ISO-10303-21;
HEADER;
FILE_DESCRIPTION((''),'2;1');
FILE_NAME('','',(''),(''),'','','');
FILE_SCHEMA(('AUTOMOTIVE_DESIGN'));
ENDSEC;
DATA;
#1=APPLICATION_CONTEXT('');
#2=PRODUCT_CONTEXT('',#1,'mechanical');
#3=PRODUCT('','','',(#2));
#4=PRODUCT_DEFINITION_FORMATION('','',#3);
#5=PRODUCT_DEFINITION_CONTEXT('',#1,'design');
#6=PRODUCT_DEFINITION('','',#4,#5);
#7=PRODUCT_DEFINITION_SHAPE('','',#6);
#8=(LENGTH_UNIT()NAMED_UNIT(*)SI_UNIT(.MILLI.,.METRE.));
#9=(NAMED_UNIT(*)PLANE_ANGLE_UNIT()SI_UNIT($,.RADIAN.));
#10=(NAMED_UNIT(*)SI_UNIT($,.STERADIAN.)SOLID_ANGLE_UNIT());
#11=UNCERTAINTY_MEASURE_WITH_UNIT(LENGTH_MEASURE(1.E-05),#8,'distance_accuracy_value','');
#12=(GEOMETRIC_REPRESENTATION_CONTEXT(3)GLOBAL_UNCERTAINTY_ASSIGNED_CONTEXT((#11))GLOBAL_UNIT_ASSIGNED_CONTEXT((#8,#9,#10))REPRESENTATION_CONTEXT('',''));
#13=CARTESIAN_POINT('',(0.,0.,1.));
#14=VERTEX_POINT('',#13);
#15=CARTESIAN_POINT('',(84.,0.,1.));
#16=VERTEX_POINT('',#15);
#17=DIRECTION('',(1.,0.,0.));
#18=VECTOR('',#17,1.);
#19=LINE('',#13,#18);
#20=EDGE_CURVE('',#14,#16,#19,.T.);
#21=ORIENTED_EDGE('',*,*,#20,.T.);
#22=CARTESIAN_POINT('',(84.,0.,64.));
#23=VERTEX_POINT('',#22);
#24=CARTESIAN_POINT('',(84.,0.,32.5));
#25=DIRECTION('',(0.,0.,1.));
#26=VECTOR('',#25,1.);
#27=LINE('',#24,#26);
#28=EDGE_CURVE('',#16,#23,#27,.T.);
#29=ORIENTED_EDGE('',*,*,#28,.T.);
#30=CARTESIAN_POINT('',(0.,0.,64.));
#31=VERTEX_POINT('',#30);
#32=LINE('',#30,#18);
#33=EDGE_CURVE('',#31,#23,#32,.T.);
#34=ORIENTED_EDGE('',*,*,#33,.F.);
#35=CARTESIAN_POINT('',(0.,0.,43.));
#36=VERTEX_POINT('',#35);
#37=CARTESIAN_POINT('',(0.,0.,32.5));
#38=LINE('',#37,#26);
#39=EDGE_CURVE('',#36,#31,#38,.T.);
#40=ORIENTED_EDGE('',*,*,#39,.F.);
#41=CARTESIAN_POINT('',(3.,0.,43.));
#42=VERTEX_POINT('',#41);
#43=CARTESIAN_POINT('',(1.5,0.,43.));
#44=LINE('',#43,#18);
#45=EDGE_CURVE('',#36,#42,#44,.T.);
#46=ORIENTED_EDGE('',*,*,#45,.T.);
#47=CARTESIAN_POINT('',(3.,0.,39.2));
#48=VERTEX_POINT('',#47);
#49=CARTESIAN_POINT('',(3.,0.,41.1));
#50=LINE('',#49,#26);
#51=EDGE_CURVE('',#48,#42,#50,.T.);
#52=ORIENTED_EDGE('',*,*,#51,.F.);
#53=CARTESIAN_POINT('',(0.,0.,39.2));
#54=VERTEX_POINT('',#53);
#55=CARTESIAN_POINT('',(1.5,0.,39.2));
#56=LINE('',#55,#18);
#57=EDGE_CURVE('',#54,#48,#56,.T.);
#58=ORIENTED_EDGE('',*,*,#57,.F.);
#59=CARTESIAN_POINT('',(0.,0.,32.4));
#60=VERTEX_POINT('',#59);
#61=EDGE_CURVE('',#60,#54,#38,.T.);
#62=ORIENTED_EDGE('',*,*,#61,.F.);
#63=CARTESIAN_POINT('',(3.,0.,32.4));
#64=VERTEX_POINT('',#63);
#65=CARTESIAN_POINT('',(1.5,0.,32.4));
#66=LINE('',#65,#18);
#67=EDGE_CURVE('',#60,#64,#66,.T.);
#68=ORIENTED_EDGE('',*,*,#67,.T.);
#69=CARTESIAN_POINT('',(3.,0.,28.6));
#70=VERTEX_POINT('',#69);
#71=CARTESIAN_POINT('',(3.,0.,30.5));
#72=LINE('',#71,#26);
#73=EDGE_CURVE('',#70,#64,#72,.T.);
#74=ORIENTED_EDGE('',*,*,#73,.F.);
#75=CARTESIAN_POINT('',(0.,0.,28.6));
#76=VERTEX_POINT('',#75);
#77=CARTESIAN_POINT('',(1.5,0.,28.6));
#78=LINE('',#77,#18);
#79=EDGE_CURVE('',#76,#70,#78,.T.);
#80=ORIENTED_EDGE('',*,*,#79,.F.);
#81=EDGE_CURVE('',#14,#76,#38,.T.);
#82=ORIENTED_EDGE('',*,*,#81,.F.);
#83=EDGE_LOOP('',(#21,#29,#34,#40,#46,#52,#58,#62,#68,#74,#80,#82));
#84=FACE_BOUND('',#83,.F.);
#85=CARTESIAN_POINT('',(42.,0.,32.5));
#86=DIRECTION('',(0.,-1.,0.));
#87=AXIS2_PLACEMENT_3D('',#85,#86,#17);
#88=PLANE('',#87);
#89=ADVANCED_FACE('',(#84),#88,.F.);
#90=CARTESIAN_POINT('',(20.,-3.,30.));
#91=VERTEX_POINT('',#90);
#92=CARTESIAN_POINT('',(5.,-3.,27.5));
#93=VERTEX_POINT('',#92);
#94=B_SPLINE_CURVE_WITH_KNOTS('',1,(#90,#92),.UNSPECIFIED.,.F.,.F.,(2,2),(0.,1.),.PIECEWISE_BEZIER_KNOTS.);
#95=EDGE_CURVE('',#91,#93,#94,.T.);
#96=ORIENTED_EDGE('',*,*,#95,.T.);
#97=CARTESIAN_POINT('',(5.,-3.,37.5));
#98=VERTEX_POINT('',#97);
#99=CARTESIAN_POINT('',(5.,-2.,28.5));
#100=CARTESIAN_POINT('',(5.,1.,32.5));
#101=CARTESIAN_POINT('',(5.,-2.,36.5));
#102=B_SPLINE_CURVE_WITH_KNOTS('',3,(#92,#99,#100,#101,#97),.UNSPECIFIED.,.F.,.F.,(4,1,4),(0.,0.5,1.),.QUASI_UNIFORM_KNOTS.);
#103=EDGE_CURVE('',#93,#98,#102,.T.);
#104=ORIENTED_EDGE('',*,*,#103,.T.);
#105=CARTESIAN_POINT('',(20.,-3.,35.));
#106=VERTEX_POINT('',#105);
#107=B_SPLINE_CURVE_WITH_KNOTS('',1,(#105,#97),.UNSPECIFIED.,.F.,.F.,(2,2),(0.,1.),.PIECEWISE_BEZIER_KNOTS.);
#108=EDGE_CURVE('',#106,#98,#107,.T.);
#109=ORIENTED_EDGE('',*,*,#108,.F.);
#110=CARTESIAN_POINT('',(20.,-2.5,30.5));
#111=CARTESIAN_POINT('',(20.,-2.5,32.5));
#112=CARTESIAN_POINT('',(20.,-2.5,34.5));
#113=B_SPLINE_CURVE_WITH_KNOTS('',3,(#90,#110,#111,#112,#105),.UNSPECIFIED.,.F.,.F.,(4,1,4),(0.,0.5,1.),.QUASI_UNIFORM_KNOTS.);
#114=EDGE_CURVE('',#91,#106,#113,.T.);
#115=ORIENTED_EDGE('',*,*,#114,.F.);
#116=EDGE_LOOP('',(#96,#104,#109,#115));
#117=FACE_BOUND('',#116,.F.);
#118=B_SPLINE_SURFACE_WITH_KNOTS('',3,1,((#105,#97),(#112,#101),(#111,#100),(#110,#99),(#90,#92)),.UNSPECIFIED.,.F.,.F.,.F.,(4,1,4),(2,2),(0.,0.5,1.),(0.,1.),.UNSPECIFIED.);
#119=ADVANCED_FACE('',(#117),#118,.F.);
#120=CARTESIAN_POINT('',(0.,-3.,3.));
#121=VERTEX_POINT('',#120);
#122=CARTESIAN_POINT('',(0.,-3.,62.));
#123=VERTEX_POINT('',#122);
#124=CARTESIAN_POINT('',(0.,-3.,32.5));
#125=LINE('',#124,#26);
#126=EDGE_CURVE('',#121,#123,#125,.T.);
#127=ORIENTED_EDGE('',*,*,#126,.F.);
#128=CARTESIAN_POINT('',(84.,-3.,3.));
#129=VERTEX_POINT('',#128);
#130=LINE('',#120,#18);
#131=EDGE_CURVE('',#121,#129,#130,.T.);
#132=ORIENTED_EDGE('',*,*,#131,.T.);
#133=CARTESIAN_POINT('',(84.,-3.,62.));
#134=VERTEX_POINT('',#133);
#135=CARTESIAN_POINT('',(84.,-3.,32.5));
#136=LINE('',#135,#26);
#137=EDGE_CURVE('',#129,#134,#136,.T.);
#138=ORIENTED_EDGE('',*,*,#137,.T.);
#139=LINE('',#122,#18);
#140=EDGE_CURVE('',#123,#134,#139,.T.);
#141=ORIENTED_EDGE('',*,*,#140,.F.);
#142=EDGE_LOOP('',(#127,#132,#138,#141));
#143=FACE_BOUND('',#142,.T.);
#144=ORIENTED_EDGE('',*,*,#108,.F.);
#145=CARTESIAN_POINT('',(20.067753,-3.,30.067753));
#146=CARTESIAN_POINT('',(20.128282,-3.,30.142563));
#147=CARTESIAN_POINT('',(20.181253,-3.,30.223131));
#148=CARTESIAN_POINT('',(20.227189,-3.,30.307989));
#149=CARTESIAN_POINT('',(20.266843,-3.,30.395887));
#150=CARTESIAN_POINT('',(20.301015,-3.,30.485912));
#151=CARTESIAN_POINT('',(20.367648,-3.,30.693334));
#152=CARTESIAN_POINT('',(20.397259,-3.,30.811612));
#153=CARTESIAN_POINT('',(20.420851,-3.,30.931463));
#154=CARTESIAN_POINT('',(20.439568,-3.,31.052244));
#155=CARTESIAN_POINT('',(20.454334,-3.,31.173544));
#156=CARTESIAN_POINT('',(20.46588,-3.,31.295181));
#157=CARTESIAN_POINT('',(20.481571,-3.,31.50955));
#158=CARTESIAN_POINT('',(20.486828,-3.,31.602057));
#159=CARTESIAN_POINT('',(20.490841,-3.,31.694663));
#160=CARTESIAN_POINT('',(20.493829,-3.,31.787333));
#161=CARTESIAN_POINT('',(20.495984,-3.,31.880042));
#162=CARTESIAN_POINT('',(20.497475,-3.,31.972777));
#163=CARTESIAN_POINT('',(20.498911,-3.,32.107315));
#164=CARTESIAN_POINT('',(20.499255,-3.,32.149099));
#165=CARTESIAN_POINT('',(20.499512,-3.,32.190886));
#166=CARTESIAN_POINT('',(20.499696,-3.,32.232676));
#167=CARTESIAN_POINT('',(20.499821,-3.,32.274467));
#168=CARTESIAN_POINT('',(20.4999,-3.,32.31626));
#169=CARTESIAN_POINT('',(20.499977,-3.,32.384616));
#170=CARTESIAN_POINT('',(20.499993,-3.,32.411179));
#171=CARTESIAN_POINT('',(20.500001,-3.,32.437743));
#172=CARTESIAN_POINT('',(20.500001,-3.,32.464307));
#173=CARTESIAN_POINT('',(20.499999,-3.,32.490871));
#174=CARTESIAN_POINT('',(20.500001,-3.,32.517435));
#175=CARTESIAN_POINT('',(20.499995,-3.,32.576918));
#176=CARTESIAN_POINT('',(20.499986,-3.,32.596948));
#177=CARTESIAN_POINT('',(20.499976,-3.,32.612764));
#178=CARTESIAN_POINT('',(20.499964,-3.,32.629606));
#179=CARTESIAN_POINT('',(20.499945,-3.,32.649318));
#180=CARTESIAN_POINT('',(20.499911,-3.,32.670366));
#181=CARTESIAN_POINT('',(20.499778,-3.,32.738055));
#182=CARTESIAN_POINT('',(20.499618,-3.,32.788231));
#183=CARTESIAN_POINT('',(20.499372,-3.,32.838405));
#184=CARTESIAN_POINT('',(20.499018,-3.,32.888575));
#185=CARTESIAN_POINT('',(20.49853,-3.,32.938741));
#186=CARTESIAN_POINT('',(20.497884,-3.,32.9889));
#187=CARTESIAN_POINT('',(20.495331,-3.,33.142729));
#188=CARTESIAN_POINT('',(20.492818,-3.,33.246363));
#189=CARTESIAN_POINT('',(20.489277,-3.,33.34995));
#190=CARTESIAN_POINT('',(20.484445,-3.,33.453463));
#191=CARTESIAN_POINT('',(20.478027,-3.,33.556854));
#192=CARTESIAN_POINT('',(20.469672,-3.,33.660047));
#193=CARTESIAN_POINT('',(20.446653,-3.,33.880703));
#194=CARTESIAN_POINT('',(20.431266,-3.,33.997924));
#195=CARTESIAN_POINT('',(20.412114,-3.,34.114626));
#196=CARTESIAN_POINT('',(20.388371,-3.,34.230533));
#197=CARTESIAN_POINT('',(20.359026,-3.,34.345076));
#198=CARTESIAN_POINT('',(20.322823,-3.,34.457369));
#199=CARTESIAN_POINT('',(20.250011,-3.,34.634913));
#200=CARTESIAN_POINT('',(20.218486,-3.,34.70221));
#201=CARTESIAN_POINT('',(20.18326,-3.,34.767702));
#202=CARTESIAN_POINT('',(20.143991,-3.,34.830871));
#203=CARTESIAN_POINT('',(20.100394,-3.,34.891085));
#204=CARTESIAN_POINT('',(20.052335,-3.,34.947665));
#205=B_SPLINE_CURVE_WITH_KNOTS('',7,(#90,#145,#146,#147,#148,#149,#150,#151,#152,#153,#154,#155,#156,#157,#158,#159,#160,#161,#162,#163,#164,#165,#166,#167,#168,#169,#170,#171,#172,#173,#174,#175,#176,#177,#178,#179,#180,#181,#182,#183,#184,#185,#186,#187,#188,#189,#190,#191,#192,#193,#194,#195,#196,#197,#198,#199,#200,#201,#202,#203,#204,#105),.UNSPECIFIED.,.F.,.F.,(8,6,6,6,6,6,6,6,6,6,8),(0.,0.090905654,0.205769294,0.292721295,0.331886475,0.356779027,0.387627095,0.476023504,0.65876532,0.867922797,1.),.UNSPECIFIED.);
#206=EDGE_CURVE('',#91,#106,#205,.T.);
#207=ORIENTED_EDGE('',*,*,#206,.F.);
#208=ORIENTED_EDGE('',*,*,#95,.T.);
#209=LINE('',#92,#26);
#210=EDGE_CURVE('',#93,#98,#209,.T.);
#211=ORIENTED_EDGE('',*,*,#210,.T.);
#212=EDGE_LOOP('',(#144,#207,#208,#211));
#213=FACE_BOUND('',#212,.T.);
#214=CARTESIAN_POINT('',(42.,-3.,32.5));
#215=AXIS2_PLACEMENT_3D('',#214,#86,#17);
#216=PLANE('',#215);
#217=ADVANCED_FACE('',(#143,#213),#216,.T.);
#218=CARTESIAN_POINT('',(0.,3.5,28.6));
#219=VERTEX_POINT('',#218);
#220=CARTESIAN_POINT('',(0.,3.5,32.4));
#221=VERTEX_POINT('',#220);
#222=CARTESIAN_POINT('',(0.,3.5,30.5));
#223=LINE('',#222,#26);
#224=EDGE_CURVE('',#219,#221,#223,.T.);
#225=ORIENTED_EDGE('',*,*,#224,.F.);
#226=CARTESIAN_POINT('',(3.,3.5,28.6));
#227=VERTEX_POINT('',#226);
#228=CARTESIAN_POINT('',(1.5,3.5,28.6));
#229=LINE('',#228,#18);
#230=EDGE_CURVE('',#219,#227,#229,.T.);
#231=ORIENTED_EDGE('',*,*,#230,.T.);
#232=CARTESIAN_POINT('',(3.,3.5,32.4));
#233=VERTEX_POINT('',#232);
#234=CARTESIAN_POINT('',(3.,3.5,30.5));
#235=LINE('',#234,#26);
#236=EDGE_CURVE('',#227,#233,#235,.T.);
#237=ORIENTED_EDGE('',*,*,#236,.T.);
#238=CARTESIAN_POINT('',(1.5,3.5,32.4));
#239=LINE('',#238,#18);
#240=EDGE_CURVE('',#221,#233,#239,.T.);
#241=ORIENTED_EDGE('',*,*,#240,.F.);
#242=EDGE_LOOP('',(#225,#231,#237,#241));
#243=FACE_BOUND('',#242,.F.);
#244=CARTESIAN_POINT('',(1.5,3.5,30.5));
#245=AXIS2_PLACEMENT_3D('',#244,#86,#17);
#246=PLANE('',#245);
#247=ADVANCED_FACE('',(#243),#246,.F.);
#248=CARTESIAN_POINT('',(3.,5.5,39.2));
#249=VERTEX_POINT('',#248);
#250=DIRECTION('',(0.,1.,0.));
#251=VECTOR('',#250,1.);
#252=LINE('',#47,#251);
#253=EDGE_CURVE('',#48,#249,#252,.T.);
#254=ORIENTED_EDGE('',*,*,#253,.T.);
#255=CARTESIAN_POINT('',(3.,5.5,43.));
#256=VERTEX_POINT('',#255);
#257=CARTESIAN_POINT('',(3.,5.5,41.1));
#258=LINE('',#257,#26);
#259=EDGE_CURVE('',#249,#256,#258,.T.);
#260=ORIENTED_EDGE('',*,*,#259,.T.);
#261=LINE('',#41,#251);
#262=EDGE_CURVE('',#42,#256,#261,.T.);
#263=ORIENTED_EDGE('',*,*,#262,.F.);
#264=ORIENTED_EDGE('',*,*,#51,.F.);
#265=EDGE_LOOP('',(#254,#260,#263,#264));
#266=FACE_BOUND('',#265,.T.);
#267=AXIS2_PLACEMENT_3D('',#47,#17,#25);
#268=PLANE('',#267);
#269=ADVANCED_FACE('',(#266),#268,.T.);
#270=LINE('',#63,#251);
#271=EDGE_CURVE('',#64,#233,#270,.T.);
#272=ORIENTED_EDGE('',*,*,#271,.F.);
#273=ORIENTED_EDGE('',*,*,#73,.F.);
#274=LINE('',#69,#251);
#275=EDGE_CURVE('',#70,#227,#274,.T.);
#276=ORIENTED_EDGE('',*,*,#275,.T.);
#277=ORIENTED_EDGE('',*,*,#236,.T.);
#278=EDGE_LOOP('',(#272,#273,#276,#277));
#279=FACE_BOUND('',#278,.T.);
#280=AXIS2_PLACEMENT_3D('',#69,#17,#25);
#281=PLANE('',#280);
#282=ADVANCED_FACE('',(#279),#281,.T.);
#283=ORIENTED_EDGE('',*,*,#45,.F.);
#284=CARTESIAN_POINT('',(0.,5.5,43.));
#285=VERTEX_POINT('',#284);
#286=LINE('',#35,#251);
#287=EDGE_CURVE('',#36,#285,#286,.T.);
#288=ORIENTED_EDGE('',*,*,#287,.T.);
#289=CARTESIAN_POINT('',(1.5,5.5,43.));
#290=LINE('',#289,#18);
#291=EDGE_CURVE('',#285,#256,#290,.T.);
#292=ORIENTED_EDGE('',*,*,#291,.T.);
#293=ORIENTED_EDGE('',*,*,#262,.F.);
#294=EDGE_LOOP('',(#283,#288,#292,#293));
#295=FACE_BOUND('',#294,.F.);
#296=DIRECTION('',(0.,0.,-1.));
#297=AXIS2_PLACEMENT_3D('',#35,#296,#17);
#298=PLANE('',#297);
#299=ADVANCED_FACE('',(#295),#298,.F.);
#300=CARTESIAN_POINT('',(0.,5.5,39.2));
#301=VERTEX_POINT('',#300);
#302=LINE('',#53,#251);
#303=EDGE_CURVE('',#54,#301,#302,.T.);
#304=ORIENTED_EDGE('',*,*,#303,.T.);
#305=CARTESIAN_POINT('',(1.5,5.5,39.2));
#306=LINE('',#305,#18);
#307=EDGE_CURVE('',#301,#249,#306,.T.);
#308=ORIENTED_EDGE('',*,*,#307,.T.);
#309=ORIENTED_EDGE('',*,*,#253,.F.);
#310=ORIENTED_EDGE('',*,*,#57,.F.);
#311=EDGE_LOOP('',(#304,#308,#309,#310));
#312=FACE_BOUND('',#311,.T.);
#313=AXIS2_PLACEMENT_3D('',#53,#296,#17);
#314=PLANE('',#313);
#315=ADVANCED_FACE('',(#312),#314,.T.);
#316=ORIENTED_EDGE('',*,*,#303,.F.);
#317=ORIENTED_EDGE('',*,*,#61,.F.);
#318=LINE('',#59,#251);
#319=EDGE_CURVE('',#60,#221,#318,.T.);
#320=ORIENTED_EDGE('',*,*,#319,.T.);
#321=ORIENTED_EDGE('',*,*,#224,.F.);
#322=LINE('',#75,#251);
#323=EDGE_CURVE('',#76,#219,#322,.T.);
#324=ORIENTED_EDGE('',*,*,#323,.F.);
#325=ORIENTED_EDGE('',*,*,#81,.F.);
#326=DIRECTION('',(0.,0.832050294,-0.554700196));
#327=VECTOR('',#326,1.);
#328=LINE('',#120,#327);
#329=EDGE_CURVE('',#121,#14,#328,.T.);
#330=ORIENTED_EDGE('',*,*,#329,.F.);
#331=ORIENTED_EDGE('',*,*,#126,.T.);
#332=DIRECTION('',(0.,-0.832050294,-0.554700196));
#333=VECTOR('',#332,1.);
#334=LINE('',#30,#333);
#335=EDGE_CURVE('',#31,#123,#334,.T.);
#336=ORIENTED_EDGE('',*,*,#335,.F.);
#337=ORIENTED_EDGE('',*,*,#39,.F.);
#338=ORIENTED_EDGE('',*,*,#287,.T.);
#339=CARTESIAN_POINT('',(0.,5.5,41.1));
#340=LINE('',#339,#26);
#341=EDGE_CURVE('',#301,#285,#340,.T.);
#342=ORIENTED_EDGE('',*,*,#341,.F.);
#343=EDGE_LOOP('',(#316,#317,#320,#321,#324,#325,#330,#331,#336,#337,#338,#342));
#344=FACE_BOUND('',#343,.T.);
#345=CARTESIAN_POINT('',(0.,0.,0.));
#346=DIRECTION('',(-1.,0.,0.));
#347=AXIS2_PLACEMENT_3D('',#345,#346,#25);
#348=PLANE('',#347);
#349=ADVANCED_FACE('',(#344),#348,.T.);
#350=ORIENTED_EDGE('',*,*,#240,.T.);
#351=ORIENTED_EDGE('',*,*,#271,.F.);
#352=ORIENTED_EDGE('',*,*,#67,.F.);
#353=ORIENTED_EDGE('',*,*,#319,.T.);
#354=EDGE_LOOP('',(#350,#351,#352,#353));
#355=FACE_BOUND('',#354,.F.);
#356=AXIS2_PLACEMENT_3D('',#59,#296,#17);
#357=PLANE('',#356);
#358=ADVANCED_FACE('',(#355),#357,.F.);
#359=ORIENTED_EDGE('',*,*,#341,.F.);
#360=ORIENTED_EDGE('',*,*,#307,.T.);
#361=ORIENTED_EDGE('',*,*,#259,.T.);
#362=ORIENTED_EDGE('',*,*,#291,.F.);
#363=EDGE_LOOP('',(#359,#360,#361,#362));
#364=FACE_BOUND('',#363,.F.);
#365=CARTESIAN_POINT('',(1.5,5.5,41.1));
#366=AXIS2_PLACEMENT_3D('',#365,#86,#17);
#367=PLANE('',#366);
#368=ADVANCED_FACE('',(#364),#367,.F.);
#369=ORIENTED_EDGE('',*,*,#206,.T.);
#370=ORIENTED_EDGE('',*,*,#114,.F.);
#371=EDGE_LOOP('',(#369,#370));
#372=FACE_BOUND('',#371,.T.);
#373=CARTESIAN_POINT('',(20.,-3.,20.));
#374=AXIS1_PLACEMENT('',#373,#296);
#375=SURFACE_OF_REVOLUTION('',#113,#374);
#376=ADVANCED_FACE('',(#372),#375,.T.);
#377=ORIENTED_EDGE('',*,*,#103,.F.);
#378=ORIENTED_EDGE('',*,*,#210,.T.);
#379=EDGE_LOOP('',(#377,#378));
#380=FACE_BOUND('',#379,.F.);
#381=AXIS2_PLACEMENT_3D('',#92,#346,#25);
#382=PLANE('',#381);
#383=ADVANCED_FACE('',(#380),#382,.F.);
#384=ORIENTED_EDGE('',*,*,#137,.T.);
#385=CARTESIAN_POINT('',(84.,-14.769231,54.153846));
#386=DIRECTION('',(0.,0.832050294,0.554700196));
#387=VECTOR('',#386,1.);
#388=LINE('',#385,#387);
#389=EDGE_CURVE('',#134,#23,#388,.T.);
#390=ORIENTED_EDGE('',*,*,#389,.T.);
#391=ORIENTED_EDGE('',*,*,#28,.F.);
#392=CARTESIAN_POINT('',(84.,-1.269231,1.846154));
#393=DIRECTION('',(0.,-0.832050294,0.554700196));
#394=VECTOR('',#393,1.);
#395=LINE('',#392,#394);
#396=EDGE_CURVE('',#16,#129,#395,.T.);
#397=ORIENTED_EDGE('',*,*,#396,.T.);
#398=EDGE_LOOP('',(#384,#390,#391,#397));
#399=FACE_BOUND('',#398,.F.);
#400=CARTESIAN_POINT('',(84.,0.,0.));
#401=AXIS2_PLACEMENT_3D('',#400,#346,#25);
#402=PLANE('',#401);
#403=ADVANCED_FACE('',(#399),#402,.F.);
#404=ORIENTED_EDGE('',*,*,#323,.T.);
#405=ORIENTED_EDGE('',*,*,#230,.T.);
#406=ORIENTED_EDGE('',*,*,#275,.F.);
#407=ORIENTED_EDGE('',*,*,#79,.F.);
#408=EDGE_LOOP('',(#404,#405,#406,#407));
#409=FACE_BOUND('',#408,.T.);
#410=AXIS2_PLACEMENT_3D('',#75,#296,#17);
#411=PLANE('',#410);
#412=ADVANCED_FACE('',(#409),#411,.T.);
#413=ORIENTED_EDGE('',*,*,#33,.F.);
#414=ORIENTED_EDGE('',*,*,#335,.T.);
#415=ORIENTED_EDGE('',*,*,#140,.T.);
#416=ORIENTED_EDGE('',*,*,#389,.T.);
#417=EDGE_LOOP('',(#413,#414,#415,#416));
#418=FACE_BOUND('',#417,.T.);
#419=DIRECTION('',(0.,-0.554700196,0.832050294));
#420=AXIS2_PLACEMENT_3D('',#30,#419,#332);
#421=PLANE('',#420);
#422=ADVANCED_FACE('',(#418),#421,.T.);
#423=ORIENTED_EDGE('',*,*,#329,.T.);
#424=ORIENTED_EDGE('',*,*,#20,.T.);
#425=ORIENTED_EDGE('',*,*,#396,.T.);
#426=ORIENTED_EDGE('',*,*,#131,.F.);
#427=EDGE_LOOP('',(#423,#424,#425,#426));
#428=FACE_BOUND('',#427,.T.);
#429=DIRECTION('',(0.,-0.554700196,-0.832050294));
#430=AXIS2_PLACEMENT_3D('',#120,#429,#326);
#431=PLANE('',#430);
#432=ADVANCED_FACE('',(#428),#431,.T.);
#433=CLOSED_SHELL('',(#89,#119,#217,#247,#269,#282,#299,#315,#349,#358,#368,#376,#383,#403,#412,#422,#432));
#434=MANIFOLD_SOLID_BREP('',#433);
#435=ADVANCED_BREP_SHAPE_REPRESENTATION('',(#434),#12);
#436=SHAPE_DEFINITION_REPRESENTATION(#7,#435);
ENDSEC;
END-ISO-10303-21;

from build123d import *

# Parameters (mm, degrees)
F1_W      = 84
F1_H      = 65
F2_DEPTH  = 3
F3_W      = 3
F3_H      = 3.8
F4_DEPTH  = 5.5
F0_W      = 3
F0_H      = 3.8
F14_DEPTH = 3.5


with BuildPart() as f2:
    # F1 (on Front) → F2 (new body)
    with BuildSketch(Plane.XZ):
        with Locations((42, 32.5)):
            Rectangle(F1_W, F1_H)
    extrude(amount=F2_DEPTH)

    # F3 (on face) → F4 (join)
    with BuildSketch(Plane.XZ):
        with Locations((1.5, 41.1)):
            Rectangle(F3_W, F3_H)
    extrude(amount=-F4_DEPTH)

    # F6: sweep along a path in F0
    with BuildLine(Plane.XZ) as f6_path:
        Line((0, 0), (87, 0))
    # F5 (on face) → F6 (sweep, cut)
    with BuildSketch(Plane(origin=(0, 0, 0), x_dir=(0, -1, 0), z_dir=(-1, 0, 0))):
        Polygon((3, 65), (0, 65), (0, 64), (3, 62), align=None)
        Polygon((0, 1), (0, 0), (3, 0), (3, 3), align=None)
    sweep(path=f6_path.line, mode=Mode.SUBTRACT)

    # F11 (on line) → F12 section 0
    with BuildSketch(Plane(origin=(20, 0, 0), x_dir=(0, -1, 0), z_dir=(-1, 0, 0))):
        with BuildLine():
            Line((3, 30), (3, 35))
            add(Edge.make_bspline(
                [(3, 30), (2.5, 30.5), (2.5, 32.5), (2.5, 34.5), (3, 35)],
                knots=[0, 0, 0, 0, 0.5, 1, 1, 1, 1], degree=3))
        make_face()
    # F9 (on line) → F12 section 1
    with BuildSketch(Plane(origin=(5, 0, 0), x_dir=(0, -1, 0), z_dir=(-1, 0, 0))):
        with BuildLine():
            Line((3, 27.5), (3, 37.5))
            add(Edge.make_bspline(
                [(3, 27.5), (2, 28.5), (-1, 32.5), (2, 36.5), (3, 37.5)],
                knots=[0, 0, 0, 0, 0.5, 1, 1, 1, 1], degree=3))
        make_face()
    loft(mode=Mode.SUBTRACT)

    # F11 (on line) → F13 (revolve, cut)
    with BuildSketch(Plane(origin=(20, 0, 0), x_dir=(0, -1, 0), z_dir=(-1, 0, 0))):
        with BuildLine():
            Line((3, 30), (3, 35))
            add(Edge.make_bspline(
                [(3, 30), (2.5, 30.5), (2.5, 32.5), (2.5, 34.5), (3, 35)],
                knots=[0, 0, 0, 0, 0.5, 1, 1, 1, 1], degree=3))
        make_face()
    revolve(axis=Axis((20, -3, 20), (0, 0, -1)), mode=Mode.SUBTRACT)

    # F0 (on Front) → F14 (join)
    with BuildSketch(Plane.XZ):
        with Locations((1.5, 30.5)):
            Rectangle(F0_W, F0_H)
    extrude(amount=-F14_DEPTH)


solid = f2.part
